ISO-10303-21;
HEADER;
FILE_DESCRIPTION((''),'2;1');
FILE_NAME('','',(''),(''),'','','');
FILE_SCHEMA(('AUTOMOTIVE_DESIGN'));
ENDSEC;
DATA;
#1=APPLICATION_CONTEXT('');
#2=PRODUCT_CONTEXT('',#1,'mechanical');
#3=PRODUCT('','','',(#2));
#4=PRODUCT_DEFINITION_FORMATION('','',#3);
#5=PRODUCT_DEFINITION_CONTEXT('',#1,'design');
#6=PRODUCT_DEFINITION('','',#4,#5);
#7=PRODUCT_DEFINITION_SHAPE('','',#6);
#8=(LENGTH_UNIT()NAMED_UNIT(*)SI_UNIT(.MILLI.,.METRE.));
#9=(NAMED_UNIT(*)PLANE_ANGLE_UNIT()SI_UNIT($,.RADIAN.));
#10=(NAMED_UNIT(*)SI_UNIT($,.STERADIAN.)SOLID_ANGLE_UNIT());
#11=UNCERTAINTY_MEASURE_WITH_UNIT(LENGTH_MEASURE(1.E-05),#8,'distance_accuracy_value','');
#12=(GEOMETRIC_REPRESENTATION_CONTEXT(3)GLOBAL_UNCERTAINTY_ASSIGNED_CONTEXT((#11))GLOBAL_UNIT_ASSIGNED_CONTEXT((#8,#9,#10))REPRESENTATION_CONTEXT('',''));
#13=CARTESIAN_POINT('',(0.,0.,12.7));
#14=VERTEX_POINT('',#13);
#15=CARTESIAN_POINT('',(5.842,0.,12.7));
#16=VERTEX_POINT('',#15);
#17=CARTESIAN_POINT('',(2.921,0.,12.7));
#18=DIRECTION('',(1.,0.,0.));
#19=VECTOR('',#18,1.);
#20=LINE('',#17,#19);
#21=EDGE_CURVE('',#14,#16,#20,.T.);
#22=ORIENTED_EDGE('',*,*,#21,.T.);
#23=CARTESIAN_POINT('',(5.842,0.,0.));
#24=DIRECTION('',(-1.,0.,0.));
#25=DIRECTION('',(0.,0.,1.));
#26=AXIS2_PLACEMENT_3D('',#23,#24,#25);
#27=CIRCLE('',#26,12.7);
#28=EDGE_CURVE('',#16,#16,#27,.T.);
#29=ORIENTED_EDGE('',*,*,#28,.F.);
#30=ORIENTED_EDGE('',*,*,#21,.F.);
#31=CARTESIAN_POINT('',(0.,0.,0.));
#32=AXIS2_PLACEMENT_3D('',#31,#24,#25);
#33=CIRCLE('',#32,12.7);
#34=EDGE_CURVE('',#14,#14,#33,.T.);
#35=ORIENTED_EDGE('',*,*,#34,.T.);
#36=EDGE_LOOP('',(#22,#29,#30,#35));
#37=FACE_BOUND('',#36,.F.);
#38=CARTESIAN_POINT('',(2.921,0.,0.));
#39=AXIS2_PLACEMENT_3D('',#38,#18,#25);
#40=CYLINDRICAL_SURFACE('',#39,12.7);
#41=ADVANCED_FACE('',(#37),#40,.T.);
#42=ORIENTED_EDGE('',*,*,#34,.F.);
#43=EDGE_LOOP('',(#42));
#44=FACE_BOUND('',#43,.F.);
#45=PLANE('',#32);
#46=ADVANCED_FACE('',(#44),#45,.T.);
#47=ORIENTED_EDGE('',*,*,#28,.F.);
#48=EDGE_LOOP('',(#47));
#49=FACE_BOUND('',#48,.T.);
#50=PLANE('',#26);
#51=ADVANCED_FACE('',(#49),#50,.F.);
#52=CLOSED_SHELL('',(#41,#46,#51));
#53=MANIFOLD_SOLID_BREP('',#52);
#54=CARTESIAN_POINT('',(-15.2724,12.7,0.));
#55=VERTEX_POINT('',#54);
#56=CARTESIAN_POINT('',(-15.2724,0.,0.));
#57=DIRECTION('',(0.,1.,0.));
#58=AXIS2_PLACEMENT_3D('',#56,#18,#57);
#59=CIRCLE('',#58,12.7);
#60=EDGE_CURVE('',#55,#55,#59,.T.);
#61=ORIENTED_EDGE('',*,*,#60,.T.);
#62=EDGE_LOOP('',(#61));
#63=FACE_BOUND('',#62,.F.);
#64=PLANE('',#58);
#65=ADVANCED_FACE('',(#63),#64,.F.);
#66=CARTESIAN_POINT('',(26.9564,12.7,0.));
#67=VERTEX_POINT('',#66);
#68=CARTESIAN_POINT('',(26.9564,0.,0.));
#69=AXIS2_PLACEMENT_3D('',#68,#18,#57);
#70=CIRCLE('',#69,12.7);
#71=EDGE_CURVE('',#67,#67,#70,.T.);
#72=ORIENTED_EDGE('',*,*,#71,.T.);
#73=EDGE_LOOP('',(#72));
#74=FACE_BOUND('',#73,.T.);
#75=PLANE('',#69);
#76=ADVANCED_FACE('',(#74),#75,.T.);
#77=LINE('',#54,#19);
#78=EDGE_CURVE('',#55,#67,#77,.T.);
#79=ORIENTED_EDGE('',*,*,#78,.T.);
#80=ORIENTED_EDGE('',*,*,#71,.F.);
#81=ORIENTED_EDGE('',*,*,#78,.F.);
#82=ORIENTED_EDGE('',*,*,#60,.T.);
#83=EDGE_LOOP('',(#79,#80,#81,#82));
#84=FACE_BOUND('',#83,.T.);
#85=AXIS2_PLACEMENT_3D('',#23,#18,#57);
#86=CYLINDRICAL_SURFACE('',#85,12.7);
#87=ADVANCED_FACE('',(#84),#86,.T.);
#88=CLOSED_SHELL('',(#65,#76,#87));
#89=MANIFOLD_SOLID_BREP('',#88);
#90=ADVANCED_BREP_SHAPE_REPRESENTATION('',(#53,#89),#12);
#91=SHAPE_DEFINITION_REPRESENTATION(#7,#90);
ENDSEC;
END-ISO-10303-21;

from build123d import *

# Parameters (mm, degrees)
F0_W      = 5.842
F0_H      = 12.7
F1_FACE_R = 12.7
F2_DEPTH  = 21.1144


with BuildPart() as f1:
    # F0 (on Front) → F1 (revolve)
    with BuildSketch(Plane.XZ):
        with Locations((2.921, 6.35)):
            Rectangle(F0_W, F0_H)
    revolve(axis=Axis((33.147, 0, 0), (-1, 0, 0)))


with BuildPart() as f2:
    # F1_face (on face) → F2 (new body, symmetric)
    with BuildSketch(Plane.YZ.offset(5.842)):
        Circle(F1_FACE_R)
    extrude(amount=F2_DEPTH, both=True)


solid = Compound([f1.part, f2.part])
